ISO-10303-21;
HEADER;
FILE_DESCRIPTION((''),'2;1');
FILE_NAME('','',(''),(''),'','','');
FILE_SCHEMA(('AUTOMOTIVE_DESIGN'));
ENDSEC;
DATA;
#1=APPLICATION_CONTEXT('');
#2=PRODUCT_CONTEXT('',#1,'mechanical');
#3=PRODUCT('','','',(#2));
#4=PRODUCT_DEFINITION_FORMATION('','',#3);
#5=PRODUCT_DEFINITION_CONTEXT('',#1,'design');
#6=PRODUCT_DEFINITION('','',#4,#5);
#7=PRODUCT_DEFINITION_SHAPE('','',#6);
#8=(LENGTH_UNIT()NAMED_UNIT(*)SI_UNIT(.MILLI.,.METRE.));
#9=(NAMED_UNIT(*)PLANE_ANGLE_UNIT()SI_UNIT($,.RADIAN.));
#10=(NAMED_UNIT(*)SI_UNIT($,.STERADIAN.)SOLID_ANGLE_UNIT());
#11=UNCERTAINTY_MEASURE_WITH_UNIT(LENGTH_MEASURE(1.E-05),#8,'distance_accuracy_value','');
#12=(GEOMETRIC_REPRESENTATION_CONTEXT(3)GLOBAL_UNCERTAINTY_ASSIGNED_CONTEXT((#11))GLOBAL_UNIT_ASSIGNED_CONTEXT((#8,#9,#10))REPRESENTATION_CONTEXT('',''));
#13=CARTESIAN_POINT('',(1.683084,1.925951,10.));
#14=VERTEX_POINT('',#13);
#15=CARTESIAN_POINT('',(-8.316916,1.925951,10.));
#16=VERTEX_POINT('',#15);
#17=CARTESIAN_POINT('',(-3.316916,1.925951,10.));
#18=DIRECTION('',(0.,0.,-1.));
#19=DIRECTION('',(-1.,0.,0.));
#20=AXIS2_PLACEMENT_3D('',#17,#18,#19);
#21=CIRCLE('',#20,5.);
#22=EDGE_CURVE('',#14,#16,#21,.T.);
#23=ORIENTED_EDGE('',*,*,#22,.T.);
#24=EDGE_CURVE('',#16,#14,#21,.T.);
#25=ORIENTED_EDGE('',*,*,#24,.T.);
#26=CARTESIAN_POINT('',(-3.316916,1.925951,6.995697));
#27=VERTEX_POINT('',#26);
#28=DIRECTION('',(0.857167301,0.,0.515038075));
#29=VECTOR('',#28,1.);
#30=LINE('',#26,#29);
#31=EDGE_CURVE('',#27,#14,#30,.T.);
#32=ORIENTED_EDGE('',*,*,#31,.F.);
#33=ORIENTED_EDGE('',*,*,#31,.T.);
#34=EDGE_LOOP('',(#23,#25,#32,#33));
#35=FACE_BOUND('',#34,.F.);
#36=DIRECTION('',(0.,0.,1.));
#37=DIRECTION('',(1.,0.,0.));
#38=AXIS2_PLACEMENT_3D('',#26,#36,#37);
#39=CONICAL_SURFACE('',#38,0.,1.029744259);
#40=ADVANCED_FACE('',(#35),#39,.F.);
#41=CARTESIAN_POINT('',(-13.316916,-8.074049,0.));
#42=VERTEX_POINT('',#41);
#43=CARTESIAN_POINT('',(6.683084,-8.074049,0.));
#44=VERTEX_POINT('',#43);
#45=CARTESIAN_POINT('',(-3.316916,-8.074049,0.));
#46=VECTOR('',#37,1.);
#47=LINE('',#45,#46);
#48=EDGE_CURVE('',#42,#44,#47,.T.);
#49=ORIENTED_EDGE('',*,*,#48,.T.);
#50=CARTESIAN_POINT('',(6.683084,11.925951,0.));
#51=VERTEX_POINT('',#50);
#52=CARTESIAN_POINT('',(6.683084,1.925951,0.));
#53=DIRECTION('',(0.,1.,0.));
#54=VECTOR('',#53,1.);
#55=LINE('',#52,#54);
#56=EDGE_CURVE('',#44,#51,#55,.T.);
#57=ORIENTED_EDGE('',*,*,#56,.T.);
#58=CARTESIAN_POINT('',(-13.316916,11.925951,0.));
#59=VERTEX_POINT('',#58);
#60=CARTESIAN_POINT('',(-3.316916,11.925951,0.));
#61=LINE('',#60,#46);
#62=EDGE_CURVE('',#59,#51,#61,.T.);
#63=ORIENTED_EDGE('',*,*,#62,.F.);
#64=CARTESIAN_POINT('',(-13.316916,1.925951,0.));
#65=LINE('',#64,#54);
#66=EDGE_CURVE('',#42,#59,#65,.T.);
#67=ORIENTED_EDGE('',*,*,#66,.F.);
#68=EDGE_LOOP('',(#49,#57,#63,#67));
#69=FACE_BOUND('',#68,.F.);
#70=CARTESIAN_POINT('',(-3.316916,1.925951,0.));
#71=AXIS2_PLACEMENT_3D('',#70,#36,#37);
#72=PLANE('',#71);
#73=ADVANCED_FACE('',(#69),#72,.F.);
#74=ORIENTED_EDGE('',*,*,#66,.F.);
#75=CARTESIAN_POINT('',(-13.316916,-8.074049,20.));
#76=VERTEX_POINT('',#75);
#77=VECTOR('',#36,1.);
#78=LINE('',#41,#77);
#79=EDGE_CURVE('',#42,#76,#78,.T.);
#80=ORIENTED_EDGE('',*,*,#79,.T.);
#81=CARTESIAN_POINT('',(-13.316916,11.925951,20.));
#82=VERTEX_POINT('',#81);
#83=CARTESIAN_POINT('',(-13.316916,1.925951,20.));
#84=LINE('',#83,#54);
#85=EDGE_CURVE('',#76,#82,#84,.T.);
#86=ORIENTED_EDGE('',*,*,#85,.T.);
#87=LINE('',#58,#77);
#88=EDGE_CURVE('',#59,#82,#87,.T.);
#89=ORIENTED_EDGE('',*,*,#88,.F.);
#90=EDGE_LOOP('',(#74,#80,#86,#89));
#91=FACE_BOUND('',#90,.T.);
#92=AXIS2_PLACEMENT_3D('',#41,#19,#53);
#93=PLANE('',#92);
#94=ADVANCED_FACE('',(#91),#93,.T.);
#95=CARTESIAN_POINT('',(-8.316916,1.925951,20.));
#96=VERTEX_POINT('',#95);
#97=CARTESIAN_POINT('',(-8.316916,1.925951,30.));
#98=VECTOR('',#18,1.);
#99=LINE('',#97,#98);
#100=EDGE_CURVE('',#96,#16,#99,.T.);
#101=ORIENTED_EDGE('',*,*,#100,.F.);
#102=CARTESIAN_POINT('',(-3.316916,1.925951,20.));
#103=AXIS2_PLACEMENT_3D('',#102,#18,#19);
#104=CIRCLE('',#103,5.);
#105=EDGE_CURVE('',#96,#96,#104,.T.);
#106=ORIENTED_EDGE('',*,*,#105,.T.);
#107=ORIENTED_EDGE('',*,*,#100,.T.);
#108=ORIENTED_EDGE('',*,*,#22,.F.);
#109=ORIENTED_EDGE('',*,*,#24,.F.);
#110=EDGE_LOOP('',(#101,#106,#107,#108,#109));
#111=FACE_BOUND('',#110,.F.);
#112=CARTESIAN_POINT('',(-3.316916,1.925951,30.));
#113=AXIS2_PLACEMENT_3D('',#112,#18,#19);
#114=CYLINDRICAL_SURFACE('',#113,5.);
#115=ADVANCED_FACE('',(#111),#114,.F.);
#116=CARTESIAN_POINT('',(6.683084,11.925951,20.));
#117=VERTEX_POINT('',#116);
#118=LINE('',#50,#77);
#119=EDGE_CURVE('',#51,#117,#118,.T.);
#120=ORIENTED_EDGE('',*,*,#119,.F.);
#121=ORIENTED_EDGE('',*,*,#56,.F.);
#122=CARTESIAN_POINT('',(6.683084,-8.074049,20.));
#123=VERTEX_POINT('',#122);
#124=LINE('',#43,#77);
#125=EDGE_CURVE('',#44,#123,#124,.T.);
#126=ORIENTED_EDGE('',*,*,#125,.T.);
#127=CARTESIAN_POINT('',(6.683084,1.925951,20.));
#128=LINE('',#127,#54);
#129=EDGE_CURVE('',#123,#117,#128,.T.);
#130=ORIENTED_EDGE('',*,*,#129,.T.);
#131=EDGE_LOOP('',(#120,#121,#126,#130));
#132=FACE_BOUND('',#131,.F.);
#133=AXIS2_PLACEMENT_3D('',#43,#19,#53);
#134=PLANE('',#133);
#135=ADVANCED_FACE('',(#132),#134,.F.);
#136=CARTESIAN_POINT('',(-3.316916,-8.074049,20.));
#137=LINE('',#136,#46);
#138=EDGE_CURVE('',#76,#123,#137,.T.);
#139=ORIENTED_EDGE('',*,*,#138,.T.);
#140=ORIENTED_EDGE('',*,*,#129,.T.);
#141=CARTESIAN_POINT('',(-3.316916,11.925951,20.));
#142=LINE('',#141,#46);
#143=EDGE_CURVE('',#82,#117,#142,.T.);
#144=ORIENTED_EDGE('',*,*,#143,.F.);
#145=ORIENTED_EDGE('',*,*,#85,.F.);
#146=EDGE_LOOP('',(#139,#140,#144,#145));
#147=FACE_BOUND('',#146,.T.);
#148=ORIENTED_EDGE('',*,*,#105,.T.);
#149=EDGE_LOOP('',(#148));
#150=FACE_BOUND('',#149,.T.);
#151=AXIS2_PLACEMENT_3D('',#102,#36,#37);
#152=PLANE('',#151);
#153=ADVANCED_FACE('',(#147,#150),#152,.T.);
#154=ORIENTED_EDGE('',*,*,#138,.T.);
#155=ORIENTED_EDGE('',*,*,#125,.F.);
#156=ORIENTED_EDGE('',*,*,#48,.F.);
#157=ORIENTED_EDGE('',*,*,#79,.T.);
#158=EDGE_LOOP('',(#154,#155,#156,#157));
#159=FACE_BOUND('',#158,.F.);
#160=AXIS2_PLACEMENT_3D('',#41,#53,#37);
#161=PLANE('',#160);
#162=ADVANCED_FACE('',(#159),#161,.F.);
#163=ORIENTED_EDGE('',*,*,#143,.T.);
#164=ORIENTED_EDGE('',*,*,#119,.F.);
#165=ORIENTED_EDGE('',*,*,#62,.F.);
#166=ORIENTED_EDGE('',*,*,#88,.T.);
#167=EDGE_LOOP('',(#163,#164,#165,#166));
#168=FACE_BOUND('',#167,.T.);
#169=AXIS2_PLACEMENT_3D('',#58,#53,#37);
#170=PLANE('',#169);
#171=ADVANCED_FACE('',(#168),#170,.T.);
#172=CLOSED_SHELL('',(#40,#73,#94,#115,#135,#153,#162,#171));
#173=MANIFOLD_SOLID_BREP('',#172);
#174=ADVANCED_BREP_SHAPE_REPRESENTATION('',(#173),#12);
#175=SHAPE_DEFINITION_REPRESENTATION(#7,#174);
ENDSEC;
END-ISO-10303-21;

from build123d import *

# Parameters (mm, degrees)
F0_W     = 20
F0_H     = 20
F1_DEPTH = 20
F3_D     = 10
F3_DEPTH = 10
F3_TIP   = 3.0043030951


with BuildPart() as f1:
    # F0 (on Top) → F1 (new body)
    with BuildSketch(Plane.XY):
        with Locations((-3.3169160597, 1.9259513356)):
            Rectangle(F0_W, F0_H)
    extrude(amount=F1_DEPTH)

    # F3
    with Locations(Plane.XY.offset(20)):
        with Locations((-3.3169160597, 1.9259513356)):
            Hole(F3_D / 2, depth=F3_DEPTH)
            with Locations((0, 0, -(F3_DEPTH + F3_TIP / 2))):  # 118° drill point
                Cone(0, F3_D / 2, F3_TIP, mode=Mode.SUBTRACT)


solid = f1.part
